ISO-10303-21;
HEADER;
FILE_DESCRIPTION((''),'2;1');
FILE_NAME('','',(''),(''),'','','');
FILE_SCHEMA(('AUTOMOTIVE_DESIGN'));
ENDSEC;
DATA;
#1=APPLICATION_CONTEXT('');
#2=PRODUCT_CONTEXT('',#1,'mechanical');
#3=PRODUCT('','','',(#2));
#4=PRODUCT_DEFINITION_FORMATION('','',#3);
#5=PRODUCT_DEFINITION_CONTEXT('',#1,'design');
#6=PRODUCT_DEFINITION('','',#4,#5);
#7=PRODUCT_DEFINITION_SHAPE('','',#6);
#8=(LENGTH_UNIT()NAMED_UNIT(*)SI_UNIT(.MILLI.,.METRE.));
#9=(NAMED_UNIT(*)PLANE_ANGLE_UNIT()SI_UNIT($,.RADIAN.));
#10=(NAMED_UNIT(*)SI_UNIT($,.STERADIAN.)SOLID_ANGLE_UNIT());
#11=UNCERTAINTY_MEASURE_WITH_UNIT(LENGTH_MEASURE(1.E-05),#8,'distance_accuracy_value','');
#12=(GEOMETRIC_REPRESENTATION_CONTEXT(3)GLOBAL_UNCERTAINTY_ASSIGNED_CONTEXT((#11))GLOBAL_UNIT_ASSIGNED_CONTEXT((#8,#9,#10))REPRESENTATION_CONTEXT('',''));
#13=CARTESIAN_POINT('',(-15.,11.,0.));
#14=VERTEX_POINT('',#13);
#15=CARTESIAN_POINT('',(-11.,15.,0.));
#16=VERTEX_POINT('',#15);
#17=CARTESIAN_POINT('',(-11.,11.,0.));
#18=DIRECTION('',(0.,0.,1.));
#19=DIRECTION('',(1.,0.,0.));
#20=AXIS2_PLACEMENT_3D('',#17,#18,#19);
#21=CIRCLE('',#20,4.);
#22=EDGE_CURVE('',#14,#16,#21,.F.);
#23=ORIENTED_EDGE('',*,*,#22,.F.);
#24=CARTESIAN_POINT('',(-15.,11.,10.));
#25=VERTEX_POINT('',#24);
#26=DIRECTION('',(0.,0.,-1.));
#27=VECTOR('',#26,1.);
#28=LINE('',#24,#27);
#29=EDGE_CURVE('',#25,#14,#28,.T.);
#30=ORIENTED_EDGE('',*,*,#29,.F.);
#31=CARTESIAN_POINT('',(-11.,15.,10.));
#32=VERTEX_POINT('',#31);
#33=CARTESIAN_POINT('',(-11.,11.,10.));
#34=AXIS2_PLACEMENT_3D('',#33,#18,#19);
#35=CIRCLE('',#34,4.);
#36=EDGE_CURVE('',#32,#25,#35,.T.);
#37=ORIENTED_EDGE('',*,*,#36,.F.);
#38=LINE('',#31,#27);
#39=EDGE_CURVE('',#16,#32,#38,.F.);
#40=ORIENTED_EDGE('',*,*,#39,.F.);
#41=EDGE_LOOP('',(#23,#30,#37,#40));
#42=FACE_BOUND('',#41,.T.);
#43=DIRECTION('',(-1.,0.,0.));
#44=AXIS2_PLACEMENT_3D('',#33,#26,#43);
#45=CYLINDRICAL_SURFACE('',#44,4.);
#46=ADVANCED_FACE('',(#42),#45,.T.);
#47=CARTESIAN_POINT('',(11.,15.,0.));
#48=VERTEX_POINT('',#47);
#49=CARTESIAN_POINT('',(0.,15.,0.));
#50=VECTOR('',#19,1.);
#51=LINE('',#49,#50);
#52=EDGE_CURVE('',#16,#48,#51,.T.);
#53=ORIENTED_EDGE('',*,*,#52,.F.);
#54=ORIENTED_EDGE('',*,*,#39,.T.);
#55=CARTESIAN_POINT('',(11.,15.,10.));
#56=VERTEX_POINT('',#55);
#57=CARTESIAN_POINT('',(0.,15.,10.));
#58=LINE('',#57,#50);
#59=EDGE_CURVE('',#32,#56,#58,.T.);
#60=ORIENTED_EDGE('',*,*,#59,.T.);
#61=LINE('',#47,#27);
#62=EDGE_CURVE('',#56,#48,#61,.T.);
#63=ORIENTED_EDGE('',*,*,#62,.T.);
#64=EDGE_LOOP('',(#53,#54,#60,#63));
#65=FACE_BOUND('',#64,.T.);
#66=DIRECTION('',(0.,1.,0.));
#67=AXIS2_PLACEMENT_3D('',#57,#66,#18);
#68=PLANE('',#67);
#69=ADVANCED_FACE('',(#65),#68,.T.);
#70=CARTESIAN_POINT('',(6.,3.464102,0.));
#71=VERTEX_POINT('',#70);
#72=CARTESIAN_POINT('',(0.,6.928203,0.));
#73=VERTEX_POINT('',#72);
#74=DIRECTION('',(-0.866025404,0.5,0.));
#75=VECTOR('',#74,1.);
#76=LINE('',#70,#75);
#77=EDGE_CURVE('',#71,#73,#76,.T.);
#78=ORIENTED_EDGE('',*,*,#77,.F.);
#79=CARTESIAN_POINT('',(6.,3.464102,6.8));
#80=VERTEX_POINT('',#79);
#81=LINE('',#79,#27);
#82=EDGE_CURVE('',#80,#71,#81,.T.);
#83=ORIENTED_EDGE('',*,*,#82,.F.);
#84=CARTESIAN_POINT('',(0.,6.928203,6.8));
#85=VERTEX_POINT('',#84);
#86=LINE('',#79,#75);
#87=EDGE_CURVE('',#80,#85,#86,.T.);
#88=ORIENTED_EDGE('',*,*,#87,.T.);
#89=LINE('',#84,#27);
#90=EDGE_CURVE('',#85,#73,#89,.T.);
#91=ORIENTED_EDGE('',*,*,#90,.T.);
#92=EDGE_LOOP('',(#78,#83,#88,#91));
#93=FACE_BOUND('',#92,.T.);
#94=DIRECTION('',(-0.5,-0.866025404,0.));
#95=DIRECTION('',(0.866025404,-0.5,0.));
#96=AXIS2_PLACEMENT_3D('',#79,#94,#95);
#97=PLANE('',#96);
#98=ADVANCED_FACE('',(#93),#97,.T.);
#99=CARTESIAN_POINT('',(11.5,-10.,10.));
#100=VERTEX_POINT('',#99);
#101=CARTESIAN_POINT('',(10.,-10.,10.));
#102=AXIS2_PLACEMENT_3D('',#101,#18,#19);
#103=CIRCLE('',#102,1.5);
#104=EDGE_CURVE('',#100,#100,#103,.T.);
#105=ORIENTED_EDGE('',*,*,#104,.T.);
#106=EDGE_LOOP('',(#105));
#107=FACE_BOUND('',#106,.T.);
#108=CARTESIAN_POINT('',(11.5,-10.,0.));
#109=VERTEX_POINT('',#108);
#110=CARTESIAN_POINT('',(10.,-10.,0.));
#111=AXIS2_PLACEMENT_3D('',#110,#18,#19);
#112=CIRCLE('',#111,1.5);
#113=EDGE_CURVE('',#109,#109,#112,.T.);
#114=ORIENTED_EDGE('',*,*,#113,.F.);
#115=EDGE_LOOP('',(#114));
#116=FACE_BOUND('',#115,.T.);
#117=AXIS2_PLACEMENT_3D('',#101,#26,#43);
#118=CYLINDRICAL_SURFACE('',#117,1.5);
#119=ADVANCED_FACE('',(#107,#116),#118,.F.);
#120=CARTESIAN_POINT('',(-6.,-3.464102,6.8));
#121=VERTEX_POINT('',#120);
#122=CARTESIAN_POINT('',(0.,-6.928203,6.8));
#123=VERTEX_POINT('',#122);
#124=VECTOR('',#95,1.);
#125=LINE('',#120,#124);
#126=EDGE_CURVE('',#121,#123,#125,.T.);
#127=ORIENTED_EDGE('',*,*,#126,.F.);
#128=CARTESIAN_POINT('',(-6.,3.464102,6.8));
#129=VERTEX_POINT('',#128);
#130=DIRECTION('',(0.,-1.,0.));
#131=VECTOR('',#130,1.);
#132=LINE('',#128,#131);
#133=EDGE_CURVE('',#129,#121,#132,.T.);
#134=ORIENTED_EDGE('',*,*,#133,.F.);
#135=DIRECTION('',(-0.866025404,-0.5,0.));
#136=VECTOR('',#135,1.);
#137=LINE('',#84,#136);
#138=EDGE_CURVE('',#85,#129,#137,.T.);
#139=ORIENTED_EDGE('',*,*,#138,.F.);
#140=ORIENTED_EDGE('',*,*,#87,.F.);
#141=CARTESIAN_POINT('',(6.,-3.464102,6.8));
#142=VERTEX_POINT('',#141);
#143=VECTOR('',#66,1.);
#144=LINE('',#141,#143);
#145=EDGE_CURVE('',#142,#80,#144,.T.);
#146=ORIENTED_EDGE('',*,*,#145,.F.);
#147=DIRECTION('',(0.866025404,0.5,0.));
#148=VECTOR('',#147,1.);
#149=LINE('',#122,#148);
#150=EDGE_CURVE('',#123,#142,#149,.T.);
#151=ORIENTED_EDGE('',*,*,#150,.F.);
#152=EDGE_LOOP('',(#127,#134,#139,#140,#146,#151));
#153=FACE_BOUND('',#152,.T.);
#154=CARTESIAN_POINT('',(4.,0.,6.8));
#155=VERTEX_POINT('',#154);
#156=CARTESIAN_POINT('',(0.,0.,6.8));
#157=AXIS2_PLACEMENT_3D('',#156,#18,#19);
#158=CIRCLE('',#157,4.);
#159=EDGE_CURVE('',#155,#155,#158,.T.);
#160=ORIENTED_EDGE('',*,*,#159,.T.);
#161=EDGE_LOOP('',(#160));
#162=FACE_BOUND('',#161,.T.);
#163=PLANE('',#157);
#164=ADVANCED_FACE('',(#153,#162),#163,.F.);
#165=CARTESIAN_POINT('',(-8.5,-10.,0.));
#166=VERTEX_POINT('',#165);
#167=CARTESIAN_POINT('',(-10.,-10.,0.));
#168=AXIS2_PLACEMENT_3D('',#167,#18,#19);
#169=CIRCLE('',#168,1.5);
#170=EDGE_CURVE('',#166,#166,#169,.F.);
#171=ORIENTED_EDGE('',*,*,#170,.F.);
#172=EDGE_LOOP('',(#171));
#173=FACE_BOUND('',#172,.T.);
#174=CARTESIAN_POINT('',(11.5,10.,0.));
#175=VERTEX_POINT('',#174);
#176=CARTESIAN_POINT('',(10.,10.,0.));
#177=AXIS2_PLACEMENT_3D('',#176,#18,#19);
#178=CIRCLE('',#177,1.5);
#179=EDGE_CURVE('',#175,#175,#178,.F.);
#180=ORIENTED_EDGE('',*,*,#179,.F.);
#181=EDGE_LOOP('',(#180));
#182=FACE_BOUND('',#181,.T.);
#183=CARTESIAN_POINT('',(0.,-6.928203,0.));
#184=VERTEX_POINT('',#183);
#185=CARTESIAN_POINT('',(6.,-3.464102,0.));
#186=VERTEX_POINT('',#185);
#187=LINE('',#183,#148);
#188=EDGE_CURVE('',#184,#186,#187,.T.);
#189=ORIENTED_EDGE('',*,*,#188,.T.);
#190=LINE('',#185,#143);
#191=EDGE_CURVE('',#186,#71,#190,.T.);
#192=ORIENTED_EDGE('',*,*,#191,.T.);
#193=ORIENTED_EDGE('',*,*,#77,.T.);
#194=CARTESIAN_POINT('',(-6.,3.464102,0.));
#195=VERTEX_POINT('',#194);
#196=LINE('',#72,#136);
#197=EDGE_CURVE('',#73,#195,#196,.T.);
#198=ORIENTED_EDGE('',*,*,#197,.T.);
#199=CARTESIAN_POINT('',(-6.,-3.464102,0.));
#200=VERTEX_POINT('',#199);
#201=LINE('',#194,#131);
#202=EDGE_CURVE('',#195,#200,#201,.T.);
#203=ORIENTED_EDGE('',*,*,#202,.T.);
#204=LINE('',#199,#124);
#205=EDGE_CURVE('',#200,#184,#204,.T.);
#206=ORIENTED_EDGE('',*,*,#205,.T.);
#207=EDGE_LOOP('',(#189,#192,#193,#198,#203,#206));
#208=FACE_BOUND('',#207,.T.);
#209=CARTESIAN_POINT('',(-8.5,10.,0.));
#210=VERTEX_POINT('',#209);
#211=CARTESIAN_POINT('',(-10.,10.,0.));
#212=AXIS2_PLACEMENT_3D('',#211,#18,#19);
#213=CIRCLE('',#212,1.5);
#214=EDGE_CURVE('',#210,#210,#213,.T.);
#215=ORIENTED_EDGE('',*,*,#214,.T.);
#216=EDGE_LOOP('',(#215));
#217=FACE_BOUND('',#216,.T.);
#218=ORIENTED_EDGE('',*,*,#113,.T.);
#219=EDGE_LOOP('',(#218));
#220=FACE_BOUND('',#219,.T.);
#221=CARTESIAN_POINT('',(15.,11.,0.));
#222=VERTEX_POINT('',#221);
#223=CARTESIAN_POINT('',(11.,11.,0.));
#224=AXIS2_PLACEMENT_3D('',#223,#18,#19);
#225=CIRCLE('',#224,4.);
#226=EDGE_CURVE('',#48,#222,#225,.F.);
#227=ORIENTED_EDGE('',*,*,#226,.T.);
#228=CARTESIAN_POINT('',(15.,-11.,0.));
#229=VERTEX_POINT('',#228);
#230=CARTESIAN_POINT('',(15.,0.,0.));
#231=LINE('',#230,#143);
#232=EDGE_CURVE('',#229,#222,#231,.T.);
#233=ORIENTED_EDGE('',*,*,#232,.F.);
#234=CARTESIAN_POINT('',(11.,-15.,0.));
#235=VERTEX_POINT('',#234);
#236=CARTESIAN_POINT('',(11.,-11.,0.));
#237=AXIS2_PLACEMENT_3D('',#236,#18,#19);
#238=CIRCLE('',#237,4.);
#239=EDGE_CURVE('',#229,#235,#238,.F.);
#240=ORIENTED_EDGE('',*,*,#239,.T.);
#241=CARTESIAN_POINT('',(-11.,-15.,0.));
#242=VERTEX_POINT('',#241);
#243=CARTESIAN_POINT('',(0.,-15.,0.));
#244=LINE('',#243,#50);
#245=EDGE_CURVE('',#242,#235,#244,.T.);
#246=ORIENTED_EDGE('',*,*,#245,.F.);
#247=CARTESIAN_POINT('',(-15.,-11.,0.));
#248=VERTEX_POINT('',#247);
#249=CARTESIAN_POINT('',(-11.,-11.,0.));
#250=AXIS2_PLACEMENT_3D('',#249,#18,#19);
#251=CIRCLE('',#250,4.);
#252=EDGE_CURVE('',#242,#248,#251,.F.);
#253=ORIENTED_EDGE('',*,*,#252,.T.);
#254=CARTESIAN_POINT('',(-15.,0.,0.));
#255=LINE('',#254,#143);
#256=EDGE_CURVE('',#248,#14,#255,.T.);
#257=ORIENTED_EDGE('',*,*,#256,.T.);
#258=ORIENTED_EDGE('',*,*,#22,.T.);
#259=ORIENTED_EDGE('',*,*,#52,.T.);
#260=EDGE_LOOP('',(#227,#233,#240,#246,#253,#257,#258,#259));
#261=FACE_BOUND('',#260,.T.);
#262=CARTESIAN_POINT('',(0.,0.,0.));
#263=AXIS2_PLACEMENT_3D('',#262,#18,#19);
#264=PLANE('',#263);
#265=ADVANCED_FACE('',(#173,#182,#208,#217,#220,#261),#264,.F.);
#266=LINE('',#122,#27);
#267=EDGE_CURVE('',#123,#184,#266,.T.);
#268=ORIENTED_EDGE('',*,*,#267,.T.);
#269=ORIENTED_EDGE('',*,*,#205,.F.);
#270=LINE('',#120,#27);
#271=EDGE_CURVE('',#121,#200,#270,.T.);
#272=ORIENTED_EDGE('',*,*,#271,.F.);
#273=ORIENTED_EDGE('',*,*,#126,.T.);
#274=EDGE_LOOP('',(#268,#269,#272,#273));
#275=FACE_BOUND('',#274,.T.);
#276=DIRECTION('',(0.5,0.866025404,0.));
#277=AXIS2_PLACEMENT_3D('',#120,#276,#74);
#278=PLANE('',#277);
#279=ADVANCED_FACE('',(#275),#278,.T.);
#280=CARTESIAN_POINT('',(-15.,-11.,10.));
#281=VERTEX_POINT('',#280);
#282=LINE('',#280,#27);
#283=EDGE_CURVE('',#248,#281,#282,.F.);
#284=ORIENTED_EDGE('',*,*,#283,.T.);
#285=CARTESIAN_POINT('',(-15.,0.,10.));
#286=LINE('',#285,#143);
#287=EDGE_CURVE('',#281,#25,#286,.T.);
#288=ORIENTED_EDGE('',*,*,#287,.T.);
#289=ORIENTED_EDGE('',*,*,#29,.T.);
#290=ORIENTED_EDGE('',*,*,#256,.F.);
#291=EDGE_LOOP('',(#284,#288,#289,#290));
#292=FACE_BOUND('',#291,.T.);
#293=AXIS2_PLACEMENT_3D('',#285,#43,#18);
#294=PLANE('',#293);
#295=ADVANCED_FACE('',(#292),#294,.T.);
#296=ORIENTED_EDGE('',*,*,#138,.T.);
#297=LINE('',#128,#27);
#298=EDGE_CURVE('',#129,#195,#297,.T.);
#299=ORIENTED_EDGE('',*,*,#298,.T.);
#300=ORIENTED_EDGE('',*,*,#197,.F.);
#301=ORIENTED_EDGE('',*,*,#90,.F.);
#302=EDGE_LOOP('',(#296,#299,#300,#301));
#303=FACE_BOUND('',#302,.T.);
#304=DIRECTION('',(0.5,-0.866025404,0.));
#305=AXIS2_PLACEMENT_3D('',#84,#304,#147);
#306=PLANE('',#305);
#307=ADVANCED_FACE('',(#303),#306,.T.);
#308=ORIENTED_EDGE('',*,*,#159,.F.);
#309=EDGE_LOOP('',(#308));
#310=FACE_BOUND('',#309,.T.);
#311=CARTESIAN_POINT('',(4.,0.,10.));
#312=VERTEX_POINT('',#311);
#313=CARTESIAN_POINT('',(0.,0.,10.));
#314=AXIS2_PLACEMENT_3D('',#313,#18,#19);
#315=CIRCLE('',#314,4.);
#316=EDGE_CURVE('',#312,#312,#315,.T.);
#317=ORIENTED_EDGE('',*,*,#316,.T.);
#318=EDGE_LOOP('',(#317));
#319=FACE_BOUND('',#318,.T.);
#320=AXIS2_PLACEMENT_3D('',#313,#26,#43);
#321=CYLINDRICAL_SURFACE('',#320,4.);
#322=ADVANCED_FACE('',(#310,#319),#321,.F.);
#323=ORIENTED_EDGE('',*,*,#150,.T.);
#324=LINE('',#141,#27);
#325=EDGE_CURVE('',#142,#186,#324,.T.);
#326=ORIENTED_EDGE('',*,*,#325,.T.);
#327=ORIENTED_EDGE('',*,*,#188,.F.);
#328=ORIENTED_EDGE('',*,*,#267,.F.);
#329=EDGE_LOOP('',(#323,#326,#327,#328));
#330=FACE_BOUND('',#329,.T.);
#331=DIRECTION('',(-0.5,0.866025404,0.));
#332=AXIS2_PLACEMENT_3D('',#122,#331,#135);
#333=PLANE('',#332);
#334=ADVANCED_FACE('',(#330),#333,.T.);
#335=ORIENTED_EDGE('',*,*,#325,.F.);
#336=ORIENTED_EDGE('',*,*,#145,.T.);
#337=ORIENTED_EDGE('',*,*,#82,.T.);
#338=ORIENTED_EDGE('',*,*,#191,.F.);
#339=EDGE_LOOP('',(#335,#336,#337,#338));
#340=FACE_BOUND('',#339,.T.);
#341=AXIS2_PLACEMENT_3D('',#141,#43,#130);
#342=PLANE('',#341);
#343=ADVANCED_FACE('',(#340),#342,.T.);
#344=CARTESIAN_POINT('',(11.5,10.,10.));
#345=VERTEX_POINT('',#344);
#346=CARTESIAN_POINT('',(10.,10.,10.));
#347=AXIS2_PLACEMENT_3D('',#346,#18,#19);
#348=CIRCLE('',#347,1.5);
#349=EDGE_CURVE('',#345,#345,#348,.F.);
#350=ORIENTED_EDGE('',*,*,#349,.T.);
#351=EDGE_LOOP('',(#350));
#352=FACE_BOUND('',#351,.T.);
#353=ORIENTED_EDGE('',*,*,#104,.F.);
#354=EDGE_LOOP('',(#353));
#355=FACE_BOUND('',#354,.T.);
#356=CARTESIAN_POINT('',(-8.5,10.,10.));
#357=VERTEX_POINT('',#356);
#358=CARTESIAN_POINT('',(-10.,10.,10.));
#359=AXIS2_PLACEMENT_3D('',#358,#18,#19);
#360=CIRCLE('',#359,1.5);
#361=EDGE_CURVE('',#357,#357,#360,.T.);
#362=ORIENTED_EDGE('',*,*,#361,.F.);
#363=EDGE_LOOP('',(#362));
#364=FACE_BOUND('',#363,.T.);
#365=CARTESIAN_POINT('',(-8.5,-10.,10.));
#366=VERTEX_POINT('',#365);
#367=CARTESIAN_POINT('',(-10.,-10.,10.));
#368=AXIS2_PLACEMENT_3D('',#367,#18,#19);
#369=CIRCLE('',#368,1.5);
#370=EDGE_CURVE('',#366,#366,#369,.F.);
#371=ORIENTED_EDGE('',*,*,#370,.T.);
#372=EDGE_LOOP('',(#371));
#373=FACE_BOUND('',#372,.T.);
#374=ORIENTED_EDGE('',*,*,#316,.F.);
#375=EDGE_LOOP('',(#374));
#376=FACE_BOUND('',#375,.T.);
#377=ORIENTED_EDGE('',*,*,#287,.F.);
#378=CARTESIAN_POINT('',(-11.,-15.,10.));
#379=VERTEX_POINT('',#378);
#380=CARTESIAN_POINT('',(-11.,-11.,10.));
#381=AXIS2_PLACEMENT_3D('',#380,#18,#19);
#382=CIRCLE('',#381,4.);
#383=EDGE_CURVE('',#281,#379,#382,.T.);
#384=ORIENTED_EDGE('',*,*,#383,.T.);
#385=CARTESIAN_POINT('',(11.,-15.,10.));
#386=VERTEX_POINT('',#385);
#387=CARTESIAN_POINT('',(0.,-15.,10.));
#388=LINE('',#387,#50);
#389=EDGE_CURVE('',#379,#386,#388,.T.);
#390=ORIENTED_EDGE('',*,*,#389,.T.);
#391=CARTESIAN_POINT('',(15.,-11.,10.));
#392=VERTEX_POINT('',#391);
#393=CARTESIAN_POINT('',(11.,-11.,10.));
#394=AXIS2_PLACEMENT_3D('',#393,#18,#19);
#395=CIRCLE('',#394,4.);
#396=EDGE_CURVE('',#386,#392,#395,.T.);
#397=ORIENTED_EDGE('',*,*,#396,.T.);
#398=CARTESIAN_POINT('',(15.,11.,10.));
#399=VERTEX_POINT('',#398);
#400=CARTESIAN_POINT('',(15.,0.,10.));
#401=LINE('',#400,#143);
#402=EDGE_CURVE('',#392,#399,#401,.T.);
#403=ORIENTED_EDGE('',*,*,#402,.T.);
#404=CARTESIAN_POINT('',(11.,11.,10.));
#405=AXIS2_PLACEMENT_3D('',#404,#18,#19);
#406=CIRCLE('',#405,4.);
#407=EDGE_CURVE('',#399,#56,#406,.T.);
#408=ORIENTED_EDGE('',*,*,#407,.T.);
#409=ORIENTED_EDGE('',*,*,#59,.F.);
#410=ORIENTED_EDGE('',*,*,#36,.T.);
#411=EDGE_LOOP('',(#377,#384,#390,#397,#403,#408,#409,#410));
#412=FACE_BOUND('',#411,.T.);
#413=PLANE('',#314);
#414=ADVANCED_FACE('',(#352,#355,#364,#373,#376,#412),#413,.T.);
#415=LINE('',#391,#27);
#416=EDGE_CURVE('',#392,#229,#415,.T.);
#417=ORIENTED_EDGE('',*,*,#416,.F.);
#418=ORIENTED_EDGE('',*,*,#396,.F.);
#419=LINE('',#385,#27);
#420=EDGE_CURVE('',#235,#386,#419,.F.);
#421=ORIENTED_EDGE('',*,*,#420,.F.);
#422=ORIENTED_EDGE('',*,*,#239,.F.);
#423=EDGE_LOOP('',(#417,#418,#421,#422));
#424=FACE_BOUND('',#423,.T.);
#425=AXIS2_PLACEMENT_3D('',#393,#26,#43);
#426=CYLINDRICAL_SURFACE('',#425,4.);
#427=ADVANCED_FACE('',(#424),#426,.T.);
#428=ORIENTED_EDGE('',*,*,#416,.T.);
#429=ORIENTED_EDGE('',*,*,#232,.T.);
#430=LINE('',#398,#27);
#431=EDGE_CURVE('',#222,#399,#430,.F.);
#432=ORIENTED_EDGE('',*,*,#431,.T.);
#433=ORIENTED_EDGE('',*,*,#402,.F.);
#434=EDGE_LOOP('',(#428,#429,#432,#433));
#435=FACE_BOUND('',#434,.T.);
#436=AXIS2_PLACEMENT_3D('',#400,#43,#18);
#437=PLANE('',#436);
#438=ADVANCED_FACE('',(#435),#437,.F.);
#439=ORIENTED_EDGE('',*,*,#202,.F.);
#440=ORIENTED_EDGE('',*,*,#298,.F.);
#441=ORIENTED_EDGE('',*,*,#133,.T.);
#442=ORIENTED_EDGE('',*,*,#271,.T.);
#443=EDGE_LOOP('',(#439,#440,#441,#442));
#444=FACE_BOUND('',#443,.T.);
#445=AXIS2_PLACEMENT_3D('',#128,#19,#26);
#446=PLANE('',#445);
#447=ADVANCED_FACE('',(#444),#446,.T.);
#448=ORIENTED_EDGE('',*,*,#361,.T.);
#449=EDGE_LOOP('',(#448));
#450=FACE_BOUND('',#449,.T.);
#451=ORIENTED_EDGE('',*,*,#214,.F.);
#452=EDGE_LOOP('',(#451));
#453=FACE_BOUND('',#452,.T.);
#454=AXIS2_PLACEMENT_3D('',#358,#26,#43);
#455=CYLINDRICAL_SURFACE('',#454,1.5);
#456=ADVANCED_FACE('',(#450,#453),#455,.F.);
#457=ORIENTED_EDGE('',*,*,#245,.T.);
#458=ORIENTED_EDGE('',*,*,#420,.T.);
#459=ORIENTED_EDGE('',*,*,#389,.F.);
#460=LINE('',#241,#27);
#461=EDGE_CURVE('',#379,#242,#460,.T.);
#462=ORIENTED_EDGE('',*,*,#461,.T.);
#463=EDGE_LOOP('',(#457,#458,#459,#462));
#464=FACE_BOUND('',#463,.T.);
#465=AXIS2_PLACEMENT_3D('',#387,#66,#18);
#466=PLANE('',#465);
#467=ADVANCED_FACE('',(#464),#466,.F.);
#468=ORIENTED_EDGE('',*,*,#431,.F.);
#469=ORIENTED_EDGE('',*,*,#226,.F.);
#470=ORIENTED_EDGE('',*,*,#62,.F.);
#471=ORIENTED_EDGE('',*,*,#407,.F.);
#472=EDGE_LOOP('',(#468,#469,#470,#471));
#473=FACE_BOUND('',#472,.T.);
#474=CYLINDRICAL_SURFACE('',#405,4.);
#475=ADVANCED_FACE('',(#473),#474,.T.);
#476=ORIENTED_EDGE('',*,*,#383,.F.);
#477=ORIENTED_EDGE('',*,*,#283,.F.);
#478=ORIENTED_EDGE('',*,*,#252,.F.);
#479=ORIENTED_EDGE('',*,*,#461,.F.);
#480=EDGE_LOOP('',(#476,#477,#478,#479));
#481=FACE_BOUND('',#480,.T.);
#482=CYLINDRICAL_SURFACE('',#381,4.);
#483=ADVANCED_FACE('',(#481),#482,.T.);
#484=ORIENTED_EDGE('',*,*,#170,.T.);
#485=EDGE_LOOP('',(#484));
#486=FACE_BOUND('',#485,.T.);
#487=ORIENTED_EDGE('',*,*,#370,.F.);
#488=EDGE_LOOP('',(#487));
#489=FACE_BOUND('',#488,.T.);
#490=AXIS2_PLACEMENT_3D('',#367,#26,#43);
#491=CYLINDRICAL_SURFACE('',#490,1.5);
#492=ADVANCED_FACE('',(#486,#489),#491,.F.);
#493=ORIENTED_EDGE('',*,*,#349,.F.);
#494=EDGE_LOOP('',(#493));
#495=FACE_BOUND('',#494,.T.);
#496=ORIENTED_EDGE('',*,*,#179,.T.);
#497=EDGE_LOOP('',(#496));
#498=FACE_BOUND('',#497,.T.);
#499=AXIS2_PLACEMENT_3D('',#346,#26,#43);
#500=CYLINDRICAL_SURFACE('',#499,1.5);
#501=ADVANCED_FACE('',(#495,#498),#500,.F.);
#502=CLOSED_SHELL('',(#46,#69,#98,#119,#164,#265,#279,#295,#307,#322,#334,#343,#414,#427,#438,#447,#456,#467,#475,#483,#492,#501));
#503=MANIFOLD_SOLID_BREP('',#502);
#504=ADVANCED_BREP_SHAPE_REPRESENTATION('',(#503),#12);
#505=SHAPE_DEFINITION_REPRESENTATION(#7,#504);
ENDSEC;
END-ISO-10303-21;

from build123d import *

# Parameters (mm, degrees)
SKETCH_1_W          = 30
SKETCH_1_H          = 30
SKETCH_1_R          = 4
SKETCH_1_R_2        = 1.5
EXTRUDE_1_DEPTH     = 10
CUT_EXTRUDE_1_DEPTH = 6.8
FILLET_1_R          = 4


with BuildPart() as part:
    # 스케치1 → 보스-돌출1 (new body)
    with BuildSketch(Plane.XY):
        Rectangle(SKETCH_1_W, SKETCH_1_H)
        Circle(SKETCH_1_R, mode=Mode.SUBTRACT)
        with Locations((-10, -10)):
            Circle(SKETCH_1_R_2, mode=Mode.SUBTRACT)
        with Locations((10, -10)):
            Circle(SKETCH_1_R_2, mode=Mode.SUBTRACT)
        with Locations((-10, 10)):
            Circle(SKETCH_1_R_2, mode=Mode.SUBTRACT)
        with Locations((10, 10)):
            Circle(SKETCH_1_R_2, mode=Mode.SUBTRACT)
    extrude(amount=EXTRUDE_1_DEPTH)

    # 스케치1<3> → 컷-돌출1 (cut)
    with BuildSketch(Plane.XY):
        Polygon((6, 3.464101615), (0, 6.92820323), (-6, 3.464101615), (-6, -3.464101615), (0, -6.92820323), (6, -3.464101615), align=None)
    extrude(amount=CUT_EXTRUDE_1_DEPTH, mode=Mode.SUBTRACT)

    # 필렛1
    fillet_1_edges = [part.edges().sort_by_distance(p)[0] for p in [
        (-15, 15, 5),
        (-15, -15, 5),
        (15, -15, 5),
        (15, 15, 5),
    ]]
    fillet(fillet_1_edges, radius=FILLET_1_R)


solid = part.part
